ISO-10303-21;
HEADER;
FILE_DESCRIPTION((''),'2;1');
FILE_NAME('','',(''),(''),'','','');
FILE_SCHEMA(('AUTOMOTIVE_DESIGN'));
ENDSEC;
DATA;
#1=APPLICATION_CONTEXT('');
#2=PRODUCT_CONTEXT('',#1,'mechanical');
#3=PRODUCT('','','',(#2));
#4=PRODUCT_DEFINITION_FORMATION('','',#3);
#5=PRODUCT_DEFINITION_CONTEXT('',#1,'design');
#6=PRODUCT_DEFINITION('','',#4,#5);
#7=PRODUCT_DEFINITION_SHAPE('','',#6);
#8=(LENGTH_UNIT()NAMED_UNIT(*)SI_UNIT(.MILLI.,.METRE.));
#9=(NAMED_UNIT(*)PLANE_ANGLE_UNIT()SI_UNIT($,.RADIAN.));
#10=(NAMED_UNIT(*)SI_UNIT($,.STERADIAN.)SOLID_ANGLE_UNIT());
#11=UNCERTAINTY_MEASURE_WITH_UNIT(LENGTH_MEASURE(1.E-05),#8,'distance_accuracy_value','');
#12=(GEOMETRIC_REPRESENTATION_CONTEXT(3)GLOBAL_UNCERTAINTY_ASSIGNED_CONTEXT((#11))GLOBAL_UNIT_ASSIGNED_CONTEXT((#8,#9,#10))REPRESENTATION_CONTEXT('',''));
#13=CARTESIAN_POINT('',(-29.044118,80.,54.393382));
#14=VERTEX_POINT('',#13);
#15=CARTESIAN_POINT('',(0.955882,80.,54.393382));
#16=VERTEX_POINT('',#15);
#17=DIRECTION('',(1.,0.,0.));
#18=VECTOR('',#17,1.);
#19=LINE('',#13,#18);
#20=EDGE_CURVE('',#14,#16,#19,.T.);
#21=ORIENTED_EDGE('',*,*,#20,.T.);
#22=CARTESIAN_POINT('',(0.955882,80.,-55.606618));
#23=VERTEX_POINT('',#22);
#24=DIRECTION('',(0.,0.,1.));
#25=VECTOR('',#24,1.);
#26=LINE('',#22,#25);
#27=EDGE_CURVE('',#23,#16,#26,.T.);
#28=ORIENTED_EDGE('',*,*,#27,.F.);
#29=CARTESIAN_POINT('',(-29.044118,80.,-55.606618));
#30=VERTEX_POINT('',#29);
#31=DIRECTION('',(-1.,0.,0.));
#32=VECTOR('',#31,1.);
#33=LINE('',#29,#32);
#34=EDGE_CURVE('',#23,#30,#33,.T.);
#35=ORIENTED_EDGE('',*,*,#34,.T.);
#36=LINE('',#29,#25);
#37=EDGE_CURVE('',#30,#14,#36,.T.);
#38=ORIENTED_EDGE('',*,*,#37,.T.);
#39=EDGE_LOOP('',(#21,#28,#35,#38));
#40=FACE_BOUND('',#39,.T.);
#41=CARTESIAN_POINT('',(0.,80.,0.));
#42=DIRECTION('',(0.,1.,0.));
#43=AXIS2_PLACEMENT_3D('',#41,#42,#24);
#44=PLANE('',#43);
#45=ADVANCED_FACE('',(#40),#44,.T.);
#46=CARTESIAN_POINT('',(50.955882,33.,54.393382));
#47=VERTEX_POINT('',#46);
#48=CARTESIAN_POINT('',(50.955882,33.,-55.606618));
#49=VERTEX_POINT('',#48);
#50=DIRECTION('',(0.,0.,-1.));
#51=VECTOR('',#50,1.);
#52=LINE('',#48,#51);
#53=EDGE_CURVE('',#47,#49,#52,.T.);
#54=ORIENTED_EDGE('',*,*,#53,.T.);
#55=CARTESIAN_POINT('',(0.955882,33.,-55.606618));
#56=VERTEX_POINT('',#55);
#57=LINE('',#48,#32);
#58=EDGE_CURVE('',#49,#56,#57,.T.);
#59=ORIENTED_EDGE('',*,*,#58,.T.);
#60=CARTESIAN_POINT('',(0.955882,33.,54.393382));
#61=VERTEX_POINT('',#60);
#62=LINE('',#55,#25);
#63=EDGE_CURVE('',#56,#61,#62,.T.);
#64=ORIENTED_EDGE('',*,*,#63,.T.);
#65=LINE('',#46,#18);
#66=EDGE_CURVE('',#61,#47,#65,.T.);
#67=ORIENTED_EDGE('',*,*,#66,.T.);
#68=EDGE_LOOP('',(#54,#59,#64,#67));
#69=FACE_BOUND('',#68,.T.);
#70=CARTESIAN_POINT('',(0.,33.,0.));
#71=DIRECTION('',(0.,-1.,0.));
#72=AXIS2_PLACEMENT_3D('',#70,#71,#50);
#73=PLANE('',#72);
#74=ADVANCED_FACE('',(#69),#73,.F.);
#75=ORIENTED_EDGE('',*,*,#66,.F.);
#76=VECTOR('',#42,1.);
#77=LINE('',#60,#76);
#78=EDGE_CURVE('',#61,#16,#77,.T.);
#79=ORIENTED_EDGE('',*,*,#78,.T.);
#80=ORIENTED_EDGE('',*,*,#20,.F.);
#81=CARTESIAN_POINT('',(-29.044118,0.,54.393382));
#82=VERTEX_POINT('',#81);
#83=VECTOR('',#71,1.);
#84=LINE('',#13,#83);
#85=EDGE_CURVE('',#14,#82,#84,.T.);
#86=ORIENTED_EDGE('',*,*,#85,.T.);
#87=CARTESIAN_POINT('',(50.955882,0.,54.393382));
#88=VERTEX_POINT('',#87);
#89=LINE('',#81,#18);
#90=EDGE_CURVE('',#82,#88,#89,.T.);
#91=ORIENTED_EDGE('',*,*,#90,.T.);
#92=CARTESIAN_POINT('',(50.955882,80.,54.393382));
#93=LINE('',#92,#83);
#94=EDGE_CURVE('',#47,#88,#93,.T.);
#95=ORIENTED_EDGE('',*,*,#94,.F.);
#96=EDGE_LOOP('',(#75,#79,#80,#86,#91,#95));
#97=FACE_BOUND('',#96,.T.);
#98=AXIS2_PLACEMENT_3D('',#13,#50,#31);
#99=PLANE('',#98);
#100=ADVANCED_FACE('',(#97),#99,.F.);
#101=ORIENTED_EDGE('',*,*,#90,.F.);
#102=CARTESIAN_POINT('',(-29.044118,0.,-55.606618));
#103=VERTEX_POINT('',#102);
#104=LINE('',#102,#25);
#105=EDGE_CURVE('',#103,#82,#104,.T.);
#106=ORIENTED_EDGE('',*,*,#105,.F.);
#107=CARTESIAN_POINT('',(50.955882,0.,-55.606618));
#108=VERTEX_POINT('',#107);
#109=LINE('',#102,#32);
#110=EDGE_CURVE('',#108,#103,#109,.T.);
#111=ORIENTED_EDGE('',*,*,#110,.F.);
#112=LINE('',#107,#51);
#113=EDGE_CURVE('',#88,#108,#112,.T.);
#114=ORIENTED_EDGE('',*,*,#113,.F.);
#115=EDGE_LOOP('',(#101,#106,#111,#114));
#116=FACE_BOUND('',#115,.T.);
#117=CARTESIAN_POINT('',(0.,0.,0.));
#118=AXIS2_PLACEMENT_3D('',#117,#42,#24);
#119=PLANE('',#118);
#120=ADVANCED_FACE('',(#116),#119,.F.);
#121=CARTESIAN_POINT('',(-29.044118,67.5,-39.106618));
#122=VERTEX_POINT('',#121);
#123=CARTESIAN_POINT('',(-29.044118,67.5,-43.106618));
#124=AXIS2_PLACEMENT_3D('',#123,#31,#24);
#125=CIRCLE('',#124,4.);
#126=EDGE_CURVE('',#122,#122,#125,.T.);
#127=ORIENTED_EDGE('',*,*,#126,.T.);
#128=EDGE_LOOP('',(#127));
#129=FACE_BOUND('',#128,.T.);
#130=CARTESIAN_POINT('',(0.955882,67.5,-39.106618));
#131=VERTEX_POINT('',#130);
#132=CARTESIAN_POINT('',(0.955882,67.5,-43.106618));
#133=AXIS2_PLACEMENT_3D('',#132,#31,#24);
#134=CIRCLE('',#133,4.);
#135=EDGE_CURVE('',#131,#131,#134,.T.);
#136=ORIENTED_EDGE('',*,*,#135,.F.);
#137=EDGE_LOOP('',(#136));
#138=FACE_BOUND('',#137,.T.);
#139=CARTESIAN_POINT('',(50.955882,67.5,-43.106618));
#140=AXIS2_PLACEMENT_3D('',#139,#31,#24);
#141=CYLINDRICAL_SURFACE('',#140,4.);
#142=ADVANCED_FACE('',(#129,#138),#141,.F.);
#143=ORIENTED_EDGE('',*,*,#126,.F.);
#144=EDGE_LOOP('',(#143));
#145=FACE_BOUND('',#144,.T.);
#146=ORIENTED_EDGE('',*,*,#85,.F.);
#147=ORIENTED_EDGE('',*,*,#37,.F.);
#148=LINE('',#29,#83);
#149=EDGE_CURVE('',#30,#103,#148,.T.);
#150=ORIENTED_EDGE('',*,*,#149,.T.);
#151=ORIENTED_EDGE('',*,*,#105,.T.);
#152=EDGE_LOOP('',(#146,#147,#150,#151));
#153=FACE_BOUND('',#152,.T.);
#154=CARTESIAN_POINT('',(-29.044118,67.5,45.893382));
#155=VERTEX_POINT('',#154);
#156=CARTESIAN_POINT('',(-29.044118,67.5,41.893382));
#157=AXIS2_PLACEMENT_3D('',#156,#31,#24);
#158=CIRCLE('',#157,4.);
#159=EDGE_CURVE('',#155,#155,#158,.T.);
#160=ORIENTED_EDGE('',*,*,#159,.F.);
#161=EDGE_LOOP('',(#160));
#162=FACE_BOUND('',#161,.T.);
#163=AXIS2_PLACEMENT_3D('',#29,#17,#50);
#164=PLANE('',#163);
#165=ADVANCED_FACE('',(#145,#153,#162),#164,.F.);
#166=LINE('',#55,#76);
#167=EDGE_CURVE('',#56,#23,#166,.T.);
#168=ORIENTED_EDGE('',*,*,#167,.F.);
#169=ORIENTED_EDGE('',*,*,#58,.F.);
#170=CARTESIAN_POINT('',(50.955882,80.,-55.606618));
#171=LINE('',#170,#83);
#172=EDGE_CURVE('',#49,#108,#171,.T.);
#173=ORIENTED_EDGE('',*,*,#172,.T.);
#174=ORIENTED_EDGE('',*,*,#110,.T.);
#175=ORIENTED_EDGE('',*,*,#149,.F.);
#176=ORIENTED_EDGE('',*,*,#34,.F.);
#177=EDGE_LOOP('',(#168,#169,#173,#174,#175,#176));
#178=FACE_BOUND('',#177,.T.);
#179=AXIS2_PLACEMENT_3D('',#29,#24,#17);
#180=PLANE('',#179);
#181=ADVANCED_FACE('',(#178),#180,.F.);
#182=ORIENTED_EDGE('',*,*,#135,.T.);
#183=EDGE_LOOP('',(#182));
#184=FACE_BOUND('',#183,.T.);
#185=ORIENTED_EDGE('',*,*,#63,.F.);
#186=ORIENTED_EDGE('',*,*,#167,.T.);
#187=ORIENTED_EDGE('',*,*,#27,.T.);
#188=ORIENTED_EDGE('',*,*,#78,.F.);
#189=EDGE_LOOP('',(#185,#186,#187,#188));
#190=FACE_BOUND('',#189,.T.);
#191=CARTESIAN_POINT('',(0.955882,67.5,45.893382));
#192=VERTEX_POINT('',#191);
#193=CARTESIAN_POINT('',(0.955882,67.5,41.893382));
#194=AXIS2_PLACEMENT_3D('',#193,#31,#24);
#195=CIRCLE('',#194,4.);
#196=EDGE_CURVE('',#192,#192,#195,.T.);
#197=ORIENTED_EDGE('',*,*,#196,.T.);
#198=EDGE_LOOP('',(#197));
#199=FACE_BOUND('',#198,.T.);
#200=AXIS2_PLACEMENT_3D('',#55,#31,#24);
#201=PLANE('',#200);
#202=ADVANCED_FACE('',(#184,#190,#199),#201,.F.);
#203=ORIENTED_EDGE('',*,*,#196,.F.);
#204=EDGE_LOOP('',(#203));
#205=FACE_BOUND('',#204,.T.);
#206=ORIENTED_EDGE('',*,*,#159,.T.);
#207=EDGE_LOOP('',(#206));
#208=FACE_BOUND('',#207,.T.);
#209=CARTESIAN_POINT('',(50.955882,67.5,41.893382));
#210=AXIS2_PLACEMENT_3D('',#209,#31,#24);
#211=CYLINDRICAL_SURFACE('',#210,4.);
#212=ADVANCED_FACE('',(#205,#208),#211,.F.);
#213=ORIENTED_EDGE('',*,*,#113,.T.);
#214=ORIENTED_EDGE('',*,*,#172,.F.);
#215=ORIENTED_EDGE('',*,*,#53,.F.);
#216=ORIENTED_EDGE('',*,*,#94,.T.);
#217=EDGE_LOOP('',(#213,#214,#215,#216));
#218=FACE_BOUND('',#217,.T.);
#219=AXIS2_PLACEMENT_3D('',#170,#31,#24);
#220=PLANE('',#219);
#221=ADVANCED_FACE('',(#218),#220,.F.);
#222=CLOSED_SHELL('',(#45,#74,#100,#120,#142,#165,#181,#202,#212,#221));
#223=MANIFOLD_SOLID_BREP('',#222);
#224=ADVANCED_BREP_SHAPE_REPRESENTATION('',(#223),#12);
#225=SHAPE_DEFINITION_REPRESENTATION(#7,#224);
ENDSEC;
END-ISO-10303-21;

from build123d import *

# Parameters (mm, degrees)
SKETCH1_W           = 80
SKETCH1_H           = 110
BOSS_EXTRUDE1_DEPTH = 80
SKETCH2_W           = 50
SKETCH2_H           = 110
CUT_EXTRUDE2_DEPTH  = 47
SKETCH3_R           = 4
CUT_EXTRUDE3_DEPTH  = 81


with BuildPart() as part:
    # Sketch1 → Boss-Extrude1 (new body)
    with BuildSketch(Plane(origin=(0, 0, 0), x_dir=(1, 0, 0), z_dir=(0, 1, 0))):
        with Locations((10.955882353, 0.606617647)):
            Rectangle(SKETCH1_W, SKETCH1_H)
    extrude(amount=BOSS_EXTRUDE1_DEPTH)

    # Sketch2 → Cut-Extrude2 (cut)
    with BuildSketch(Plane(origin=(0, 80, 0), x_dir=(1, 0, 0), z_dir=(0, 1, 0))):
        with Locations((25.955882353, 0.606617647)):
            Rectangle(SKETCH2_W, SKETCH2_H)
    extrude(amount=-CUT_EXTRUDE2_DEPTH, mode=Mode.SUBTRACT)

    # Sketch3 → Cut-Extrude3 (cut, through all)
    with BuildSketch(Plane.ZY.offset(29.044117647)):
        with Locations((41.893382353, 67.5)):
            Circle(SKETCH3_R)
        with Locations((-43.106617647, 67.5)):
            Circle(SKETCH3_R)
    extrude(amount=-CUT_EXTRUDE3_DEPTH, mode=Mode.SUBTRACT)


solid = part.part
